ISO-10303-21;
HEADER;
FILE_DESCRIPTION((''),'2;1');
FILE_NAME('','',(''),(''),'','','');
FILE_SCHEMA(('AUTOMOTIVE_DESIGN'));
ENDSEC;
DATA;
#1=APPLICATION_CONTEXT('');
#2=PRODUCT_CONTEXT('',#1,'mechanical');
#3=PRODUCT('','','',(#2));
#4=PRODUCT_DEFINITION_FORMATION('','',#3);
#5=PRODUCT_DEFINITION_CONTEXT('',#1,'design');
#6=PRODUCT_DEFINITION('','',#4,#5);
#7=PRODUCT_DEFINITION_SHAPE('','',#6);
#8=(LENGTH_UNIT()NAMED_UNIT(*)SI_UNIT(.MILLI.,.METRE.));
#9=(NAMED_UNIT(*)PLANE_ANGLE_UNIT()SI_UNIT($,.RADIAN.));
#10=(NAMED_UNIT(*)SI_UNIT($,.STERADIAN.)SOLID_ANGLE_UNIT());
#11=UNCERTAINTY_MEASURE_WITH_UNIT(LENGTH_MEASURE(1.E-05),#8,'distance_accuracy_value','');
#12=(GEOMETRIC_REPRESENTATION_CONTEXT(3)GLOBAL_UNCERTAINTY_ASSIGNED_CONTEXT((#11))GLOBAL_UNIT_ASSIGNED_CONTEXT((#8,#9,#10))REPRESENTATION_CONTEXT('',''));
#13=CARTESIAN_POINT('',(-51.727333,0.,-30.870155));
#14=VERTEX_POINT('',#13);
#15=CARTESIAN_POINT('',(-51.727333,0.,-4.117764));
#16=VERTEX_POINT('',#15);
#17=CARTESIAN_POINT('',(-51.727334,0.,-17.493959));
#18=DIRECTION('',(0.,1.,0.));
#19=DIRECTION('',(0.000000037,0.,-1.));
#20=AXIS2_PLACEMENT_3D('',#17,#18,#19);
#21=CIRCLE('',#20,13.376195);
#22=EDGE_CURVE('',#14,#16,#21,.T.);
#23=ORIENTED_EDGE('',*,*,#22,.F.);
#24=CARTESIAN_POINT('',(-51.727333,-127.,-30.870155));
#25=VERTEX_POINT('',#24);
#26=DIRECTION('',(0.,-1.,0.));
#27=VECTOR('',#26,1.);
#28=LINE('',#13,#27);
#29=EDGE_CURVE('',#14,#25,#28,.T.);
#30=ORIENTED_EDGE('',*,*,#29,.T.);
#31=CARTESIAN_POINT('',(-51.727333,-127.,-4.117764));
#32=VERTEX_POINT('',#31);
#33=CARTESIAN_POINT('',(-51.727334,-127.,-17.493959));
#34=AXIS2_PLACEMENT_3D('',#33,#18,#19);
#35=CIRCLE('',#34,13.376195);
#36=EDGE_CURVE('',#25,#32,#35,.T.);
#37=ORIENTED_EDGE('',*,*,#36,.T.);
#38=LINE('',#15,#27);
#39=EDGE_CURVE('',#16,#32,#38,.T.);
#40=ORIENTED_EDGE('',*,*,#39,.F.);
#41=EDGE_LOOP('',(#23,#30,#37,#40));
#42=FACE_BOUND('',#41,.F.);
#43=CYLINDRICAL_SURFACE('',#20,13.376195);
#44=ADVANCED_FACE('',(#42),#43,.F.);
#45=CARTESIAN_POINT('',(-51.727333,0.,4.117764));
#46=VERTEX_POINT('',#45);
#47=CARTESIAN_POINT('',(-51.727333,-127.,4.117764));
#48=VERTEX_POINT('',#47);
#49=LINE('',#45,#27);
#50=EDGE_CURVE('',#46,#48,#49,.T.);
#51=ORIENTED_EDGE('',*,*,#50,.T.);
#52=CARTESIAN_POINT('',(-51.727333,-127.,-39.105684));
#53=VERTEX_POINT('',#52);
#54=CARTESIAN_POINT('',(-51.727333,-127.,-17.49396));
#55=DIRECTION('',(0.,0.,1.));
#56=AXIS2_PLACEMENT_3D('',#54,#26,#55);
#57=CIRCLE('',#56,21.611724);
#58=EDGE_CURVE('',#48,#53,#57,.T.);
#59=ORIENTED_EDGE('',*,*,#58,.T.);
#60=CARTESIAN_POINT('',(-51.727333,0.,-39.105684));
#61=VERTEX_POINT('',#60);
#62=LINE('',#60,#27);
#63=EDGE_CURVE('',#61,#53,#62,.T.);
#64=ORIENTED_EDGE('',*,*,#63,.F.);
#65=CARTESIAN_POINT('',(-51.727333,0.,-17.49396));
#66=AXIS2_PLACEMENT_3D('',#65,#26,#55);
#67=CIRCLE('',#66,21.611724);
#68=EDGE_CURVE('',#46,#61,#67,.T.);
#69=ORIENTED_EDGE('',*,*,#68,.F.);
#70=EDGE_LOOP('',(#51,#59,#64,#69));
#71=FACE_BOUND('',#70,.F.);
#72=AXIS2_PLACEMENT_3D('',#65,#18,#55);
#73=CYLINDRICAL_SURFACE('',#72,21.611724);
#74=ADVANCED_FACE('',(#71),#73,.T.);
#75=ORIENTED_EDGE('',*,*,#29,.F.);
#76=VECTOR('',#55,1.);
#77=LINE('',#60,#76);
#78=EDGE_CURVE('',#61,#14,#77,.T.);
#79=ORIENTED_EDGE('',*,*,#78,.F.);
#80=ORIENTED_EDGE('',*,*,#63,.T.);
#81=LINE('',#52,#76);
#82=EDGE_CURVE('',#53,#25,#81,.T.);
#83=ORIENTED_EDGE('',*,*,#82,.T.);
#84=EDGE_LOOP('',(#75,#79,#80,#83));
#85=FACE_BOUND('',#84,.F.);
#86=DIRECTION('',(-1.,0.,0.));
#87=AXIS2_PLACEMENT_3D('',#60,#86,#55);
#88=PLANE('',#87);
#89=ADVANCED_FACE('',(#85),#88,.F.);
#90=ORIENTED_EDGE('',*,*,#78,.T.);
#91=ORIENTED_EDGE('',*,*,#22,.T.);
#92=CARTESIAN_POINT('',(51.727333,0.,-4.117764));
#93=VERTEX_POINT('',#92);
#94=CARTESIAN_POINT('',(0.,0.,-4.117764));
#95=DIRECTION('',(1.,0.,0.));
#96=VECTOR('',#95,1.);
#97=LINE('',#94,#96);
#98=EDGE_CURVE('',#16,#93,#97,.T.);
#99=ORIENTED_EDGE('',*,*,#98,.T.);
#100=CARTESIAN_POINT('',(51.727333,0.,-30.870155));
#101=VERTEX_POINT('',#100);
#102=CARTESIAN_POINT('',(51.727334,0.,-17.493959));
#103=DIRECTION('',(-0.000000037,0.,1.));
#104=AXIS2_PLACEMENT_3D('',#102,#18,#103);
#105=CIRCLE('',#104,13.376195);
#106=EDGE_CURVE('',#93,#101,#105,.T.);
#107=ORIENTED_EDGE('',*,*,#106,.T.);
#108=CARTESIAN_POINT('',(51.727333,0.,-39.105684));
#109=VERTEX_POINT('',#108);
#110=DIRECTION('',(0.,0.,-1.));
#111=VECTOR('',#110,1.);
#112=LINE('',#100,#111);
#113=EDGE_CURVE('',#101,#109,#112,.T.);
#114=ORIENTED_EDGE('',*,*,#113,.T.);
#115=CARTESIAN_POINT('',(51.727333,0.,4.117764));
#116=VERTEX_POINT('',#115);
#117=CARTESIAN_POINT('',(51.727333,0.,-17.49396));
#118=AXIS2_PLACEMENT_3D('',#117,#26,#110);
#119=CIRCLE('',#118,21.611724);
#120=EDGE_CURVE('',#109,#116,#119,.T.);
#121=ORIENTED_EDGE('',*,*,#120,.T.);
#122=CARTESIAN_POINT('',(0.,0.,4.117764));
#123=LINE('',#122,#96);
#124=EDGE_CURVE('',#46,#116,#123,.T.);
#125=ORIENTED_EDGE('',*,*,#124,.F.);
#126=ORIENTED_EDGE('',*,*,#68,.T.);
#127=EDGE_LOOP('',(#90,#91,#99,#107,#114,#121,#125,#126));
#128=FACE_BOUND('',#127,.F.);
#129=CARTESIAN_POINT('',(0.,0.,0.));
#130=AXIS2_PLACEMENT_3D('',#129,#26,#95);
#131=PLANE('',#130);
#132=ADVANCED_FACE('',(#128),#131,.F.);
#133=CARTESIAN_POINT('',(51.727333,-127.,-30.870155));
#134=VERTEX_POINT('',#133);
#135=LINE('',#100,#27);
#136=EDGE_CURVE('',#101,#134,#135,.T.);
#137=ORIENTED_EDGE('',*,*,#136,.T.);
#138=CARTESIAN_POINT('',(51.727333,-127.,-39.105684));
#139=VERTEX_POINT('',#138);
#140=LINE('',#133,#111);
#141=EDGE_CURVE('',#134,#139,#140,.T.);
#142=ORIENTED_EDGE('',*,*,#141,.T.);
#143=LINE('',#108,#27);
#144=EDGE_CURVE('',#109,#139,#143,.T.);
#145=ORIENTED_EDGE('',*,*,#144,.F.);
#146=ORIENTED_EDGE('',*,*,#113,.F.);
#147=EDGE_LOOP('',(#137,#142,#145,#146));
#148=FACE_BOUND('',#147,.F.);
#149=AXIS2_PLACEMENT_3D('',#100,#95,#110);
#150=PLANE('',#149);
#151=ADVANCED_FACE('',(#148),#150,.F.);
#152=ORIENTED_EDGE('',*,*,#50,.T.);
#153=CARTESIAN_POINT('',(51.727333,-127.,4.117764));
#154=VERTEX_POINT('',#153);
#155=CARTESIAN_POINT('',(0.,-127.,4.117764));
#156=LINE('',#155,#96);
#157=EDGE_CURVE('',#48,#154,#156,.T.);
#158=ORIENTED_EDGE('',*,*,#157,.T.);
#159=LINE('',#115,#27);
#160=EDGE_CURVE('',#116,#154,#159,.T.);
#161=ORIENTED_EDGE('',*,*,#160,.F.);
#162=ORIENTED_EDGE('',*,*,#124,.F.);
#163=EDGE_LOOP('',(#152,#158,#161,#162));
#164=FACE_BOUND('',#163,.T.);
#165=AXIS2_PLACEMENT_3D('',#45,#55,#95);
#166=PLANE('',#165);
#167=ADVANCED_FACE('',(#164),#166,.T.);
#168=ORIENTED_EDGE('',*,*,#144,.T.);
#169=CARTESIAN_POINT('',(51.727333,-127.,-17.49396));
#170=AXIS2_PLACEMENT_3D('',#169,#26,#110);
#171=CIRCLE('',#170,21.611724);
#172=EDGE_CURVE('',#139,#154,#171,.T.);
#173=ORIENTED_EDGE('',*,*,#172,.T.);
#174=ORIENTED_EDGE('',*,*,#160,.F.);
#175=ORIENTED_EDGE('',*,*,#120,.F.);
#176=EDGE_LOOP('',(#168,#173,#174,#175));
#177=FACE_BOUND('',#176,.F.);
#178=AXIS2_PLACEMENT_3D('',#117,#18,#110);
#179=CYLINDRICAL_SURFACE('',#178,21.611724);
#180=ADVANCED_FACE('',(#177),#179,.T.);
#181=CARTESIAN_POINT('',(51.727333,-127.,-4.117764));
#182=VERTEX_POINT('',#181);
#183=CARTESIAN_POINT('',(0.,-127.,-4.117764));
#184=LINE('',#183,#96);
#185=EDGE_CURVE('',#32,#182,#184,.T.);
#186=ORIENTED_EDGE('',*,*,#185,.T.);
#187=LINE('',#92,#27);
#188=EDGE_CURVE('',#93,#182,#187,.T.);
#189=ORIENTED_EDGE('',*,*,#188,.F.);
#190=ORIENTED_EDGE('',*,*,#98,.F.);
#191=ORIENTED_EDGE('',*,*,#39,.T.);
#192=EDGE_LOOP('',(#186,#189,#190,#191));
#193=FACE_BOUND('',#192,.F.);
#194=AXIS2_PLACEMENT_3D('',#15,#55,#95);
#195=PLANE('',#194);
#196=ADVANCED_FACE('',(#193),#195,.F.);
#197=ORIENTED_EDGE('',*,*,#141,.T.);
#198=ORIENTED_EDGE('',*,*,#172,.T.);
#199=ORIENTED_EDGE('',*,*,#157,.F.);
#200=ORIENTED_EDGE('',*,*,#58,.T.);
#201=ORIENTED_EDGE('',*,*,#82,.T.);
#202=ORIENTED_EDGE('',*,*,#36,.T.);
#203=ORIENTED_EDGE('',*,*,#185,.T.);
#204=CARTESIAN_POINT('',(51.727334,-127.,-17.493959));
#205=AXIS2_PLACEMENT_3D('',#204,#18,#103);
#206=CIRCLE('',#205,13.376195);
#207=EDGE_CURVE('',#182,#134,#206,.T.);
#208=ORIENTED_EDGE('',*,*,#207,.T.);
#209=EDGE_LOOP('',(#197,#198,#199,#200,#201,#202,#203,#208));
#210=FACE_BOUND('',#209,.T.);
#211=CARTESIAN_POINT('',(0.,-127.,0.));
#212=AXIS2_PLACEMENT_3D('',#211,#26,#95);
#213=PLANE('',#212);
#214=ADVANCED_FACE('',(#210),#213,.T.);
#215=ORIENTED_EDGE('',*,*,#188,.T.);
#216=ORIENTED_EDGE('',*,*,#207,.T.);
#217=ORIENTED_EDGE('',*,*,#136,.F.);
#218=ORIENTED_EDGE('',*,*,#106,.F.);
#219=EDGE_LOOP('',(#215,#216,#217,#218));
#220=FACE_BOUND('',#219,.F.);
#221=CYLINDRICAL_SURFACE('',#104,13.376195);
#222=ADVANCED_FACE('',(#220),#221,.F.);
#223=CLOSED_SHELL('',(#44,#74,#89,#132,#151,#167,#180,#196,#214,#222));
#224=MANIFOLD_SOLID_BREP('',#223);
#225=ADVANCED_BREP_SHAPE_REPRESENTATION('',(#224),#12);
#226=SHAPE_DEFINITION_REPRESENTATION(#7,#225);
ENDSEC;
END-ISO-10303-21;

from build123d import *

# Parameters (mm, degrees)
F0_W     = 103.454666
F0_H     = 8.235528
F1_DEPTH = 127


with BuildPart() as f1:
    # F0 (on Front) → F1 (new body)
    with BuildSketch(Plane.XZ):
        Rectangle(F0_W, F0_H)
        with BuildLine():
            Line((51.727333, 4.117764), (51.727333, -4.117764))
            ThreePointArc((51.727333, -4.117764), (65.103529, -17.49396), (51.727333, -30.870155))
            Line((51.727333, -30.870155), (51.727333, -39.105684))
            ThreePointArc((51.727333, -39.105684), (73.339057, -17.49396), (51.727333, 4.117764))
        make_face()
        with BuildLine():
            ThreePointArc((-51.727333, -30.870155), (-65.103529, -17.49396), (-51.727333, -4.117764))
            Line((-51.727333, -4.117764), (-51.727333, 4.117764))
            ThreePointArc((-51.727333, 4.117764), (-73.339057, -17.49396), (-51.727333, -39.105684))
            Line((-51.727333, -39.105684), (-51.727333, -30.870155))
        make_face()
    extrude(amount=F1_DEPTH)


solid = f1.part
